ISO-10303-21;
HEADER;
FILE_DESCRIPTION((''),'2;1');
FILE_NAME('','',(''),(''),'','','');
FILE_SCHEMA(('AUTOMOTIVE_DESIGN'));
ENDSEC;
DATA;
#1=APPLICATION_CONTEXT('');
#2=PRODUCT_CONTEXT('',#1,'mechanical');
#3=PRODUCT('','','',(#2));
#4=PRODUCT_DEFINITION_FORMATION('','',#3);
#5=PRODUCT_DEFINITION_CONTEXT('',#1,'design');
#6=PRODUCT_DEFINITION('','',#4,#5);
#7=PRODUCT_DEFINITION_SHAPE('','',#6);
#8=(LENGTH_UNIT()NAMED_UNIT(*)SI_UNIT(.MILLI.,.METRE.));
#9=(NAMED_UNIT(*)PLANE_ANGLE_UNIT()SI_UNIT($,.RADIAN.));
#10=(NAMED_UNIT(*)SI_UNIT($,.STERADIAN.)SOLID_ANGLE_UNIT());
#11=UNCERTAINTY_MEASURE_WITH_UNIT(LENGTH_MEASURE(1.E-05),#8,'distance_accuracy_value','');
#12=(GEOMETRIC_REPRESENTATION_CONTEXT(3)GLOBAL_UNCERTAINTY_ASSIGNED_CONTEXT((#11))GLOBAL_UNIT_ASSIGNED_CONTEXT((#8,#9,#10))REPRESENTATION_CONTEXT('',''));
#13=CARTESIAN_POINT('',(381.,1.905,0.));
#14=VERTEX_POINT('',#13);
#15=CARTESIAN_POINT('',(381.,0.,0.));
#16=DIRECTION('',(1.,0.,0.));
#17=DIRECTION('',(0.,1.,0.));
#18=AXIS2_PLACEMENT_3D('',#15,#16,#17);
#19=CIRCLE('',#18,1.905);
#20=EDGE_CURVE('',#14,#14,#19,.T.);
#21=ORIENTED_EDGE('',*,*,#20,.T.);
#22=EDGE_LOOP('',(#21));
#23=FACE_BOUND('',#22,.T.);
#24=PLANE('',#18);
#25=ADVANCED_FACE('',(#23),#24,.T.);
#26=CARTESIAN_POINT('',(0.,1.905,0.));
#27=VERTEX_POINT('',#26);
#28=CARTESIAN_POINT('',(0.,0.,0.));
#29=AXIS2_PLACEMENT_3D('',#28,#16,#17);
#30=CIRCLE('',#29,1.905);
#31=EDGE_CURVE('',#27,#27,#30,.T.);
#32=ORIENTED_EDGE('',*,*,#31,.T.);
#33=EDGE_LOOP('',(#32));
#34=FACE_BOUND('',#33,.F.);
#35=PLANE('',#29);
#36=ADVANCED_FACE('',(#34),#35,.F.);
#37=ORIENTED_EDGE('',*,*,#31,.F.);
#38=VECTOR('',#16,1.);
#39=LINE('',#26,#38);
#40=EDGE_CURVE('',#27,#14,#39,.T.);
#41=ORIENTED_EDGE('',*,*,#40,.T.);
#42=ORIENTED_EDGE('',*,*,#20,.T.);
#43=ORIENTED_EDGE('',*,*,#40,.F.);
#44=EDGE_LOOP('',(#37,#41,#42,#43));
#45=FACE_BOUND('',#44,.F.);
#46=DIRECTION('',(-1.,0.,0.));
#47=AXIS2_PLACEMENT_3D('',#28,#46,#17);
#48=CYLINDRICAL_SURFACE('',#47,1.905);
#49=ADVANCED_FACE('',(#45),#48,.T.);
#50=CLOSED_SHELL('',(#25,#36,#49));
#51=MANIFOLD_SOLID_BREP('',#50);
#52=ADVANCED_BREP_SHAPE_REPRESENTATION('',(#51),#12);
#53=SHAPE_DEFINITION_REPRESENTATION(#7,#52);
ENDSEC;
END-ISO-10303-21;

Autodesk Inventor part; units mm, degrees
ref_plane "YZ Plane" through (0, 0, 0) normal (1, 0, 0) x (0, 1, 0)
ref_plane "XZ Plane" through (0, 0, 0) normal (0, 1, 0) x (-1, 0, 0)
sketch "Sketch1" plane through (0, 0, 0) normal (1, 0, 0) x (0, 1, 0)
  circle A0 centre (0, 0) radius 1.905
  dimension "d0" = 3.81
extrude "Extrusion1" add sketch "Sketch1" along normal blind 381
thread "Thread1" size "M1x0.25" class "6g" standard "ISO Metric profile" full length
properties part number "barre filté"
